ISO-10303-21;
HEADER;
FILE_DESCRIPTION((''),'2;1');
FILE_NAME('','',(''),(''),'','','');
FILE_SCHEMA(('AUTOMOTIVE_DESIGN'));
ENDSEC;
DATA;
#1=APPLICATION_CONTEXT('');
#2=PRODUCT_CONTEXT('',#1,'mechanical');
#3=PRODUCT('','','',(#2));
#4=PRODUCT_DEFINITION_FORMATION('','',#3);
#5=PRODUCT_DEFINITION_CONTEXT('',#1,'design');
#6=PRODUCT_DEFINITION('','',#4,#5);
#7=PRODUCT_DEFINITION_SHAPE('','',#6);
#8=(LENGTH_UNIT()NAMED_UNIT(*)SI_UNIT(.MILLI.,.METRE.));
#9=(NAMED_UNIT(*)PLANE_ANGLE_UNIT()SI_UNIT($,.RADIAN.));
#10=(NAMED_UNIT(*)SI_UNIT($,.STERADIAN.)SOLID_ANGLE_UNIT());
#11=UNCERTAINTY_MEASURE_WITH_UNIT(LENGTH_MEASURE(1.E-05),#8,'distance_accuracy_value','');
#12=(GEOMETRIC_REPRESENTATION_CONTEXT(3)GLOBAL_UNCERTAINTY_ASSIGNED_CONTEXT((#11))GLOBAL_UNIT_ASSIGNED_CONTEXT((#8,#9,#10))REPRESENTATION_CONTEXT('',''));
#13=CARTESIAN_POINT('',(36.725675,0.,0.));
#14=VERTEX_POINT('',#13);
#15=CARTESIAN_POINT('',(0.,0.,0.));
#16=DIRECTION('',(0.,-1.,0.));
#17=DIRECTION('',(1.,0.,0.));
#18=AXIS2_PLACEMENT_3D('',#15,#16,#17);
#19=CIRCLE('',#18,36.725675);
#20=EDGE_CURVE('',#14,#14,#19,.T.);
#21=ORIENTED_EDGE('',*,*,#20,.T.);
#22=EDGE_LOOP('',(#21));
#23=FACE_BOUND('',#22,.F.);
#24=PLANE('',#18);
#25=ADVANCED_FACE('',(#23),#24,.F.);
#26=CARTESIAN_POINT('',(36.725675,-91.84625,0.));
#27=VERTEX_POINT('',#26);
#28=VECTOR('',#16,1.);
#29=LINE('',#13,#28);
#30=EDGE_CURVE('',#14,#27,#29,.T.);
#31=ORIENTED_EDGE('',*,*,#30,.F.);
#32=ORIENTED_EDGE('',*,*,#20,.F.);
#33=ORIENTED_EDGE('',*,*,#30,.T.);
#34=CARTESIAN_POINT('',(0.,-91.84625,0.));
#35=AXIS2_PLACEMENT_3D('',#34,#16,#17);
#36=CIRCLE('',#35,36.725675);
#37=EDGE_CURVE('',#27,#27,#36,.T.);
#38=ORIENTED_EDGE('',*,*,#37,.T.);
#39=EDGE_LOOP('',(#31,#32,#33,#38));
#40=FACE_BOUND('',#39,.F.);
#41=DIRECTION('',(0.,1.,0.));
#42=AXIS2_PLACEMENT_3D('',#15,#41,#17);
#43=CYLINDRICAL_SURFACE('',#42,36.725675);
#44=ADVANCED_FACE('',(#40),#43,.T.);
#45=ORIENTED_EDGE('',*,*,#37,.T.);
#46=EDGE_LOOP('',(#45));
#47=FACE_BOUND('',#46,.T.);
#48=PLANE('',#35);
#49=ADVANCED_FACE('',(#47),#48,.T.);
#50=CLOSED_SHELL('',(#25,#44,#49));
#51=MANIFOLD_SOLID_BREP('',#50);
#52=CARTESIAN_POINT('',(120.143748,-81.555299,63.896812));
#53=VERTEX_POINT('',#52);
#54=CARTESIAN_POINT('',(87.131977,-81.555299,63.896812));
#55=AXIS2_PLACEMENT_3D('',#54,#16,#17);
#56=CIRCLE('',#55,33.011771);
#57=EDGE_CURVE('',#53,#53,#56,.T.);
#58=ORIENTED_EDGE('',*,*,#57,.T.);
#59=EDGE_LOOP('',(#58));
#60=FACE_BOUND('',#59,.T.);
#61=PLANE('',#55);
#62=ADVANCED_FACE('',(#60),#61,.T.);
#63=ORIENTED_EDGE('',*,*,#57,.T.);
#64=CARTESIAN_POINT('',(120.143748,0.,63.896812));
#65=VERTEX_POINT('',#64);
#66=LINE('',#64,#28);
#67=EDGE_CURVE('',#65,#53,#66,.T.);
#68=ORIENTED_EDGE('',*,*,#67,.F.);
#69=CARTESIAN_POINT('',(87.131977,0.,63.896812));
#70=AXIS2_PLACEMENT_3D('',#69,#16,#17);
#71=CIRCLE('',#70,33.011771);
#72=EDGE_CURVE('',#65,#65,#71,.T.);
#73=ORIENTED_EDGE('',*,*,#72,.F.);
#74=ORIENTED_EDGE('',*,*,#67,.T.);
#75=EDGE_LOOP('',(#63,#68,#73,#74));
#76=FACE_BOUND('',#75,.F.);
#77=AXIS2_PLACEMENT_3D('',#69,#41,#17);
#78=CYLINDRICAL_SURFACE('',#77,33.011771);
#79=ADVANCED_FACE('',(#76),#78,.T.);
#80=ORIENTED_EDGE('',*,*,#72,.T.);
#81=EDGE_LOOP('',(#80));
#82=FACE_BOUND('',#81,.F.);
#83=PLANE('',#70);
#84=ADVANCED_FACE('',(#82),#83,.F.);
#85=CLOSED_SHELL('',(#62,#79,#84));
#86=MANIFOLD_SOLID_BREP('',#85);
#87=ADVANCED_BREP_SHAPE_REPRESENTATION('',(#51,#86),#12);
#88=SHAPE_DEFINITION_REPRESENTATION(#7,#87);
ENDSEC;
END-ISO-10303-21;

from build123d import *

# Parameters (mm, degrees)
F0_R     = 36.725675
F1_DEPTH = 91.84625
F0_R_2   = 33.011771
F2_DEPTH = 81.555299


with BuildPart() as f1:
    # F0 (on Front) → F1 (new body)
    with BuildSketch(Plane.XZ):
        Circle(F0_R)
    extrude(amount=F1_DEPTH)


with BuildPart() as f2:
    # F0 (on Front) → F2 (new body)
    with BuildSketch(Plane.XZ):
        with Locations((87.131977, 63.896812)):
            Circle(F0_R_2)
    extrude(amount=F2_DEPTH)


solid = Compound([f1.part, f2.part])
